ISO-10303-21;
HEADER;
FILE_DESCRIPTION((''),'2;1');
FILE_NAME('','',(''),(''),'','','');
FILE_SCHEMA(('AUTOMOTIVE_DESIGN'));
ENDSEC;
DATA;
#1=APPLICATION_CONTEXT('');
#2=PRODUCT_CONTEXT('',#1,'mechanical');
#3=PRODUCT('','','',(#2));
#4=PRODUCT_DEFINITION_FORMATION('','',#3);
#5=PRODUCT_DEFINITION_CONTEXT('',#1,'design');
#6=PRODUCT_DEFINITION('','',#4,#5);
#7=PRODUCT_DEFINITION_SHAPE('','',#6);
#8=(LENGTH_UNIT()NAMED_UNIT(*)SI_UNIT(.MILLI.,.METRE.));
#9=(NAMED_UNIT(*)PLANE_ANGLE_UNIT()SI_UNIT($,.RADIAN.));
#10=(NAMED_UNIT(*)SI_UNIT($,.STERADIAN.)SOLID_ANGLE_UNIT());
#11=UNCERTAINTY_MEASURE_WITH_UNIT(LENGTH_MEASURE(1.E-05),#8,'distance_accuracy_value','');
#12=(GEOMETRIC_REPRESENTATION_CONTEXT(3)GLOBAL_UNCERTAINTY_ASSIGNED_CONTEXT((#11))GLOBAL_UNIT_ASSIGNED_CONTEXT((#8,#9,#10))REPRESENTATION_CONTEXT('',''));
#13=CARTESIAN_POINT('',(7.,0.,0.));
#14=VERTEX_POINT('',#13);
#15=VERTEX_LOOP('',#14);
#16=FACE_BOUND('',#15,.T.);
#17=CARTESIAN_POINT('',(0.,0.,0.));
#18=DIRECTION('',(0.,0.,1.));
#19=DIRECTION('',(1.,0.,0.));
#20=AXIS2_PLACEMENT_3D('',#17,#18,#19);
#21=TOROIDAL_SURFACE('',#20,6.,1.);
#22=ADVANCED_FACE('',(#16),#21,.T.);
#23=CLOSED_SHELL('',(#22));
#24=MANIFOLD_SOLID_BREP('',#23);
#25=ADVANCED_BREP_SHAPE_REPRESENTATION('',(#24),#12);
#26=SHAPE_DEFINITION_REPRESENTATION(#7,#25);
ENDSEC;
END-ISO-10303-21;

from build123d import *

# Parameters (mm, degrees)
SKETCH1_R = 1


with BuildPart() as part:
    # Sketch1 → Revolve1 (revolve)
    with BuildSketch(Plane(origin=(0, 0, 0), x_dir=(0, 0, -1), z_dir=(1, 0, 0))):
        with Locations((0, 6)):
            Circle(SKETCH1_R)
    revolve(axis=Axis((0, 0, 24.264405023), (0, 0, -1)))


solid = part.part
